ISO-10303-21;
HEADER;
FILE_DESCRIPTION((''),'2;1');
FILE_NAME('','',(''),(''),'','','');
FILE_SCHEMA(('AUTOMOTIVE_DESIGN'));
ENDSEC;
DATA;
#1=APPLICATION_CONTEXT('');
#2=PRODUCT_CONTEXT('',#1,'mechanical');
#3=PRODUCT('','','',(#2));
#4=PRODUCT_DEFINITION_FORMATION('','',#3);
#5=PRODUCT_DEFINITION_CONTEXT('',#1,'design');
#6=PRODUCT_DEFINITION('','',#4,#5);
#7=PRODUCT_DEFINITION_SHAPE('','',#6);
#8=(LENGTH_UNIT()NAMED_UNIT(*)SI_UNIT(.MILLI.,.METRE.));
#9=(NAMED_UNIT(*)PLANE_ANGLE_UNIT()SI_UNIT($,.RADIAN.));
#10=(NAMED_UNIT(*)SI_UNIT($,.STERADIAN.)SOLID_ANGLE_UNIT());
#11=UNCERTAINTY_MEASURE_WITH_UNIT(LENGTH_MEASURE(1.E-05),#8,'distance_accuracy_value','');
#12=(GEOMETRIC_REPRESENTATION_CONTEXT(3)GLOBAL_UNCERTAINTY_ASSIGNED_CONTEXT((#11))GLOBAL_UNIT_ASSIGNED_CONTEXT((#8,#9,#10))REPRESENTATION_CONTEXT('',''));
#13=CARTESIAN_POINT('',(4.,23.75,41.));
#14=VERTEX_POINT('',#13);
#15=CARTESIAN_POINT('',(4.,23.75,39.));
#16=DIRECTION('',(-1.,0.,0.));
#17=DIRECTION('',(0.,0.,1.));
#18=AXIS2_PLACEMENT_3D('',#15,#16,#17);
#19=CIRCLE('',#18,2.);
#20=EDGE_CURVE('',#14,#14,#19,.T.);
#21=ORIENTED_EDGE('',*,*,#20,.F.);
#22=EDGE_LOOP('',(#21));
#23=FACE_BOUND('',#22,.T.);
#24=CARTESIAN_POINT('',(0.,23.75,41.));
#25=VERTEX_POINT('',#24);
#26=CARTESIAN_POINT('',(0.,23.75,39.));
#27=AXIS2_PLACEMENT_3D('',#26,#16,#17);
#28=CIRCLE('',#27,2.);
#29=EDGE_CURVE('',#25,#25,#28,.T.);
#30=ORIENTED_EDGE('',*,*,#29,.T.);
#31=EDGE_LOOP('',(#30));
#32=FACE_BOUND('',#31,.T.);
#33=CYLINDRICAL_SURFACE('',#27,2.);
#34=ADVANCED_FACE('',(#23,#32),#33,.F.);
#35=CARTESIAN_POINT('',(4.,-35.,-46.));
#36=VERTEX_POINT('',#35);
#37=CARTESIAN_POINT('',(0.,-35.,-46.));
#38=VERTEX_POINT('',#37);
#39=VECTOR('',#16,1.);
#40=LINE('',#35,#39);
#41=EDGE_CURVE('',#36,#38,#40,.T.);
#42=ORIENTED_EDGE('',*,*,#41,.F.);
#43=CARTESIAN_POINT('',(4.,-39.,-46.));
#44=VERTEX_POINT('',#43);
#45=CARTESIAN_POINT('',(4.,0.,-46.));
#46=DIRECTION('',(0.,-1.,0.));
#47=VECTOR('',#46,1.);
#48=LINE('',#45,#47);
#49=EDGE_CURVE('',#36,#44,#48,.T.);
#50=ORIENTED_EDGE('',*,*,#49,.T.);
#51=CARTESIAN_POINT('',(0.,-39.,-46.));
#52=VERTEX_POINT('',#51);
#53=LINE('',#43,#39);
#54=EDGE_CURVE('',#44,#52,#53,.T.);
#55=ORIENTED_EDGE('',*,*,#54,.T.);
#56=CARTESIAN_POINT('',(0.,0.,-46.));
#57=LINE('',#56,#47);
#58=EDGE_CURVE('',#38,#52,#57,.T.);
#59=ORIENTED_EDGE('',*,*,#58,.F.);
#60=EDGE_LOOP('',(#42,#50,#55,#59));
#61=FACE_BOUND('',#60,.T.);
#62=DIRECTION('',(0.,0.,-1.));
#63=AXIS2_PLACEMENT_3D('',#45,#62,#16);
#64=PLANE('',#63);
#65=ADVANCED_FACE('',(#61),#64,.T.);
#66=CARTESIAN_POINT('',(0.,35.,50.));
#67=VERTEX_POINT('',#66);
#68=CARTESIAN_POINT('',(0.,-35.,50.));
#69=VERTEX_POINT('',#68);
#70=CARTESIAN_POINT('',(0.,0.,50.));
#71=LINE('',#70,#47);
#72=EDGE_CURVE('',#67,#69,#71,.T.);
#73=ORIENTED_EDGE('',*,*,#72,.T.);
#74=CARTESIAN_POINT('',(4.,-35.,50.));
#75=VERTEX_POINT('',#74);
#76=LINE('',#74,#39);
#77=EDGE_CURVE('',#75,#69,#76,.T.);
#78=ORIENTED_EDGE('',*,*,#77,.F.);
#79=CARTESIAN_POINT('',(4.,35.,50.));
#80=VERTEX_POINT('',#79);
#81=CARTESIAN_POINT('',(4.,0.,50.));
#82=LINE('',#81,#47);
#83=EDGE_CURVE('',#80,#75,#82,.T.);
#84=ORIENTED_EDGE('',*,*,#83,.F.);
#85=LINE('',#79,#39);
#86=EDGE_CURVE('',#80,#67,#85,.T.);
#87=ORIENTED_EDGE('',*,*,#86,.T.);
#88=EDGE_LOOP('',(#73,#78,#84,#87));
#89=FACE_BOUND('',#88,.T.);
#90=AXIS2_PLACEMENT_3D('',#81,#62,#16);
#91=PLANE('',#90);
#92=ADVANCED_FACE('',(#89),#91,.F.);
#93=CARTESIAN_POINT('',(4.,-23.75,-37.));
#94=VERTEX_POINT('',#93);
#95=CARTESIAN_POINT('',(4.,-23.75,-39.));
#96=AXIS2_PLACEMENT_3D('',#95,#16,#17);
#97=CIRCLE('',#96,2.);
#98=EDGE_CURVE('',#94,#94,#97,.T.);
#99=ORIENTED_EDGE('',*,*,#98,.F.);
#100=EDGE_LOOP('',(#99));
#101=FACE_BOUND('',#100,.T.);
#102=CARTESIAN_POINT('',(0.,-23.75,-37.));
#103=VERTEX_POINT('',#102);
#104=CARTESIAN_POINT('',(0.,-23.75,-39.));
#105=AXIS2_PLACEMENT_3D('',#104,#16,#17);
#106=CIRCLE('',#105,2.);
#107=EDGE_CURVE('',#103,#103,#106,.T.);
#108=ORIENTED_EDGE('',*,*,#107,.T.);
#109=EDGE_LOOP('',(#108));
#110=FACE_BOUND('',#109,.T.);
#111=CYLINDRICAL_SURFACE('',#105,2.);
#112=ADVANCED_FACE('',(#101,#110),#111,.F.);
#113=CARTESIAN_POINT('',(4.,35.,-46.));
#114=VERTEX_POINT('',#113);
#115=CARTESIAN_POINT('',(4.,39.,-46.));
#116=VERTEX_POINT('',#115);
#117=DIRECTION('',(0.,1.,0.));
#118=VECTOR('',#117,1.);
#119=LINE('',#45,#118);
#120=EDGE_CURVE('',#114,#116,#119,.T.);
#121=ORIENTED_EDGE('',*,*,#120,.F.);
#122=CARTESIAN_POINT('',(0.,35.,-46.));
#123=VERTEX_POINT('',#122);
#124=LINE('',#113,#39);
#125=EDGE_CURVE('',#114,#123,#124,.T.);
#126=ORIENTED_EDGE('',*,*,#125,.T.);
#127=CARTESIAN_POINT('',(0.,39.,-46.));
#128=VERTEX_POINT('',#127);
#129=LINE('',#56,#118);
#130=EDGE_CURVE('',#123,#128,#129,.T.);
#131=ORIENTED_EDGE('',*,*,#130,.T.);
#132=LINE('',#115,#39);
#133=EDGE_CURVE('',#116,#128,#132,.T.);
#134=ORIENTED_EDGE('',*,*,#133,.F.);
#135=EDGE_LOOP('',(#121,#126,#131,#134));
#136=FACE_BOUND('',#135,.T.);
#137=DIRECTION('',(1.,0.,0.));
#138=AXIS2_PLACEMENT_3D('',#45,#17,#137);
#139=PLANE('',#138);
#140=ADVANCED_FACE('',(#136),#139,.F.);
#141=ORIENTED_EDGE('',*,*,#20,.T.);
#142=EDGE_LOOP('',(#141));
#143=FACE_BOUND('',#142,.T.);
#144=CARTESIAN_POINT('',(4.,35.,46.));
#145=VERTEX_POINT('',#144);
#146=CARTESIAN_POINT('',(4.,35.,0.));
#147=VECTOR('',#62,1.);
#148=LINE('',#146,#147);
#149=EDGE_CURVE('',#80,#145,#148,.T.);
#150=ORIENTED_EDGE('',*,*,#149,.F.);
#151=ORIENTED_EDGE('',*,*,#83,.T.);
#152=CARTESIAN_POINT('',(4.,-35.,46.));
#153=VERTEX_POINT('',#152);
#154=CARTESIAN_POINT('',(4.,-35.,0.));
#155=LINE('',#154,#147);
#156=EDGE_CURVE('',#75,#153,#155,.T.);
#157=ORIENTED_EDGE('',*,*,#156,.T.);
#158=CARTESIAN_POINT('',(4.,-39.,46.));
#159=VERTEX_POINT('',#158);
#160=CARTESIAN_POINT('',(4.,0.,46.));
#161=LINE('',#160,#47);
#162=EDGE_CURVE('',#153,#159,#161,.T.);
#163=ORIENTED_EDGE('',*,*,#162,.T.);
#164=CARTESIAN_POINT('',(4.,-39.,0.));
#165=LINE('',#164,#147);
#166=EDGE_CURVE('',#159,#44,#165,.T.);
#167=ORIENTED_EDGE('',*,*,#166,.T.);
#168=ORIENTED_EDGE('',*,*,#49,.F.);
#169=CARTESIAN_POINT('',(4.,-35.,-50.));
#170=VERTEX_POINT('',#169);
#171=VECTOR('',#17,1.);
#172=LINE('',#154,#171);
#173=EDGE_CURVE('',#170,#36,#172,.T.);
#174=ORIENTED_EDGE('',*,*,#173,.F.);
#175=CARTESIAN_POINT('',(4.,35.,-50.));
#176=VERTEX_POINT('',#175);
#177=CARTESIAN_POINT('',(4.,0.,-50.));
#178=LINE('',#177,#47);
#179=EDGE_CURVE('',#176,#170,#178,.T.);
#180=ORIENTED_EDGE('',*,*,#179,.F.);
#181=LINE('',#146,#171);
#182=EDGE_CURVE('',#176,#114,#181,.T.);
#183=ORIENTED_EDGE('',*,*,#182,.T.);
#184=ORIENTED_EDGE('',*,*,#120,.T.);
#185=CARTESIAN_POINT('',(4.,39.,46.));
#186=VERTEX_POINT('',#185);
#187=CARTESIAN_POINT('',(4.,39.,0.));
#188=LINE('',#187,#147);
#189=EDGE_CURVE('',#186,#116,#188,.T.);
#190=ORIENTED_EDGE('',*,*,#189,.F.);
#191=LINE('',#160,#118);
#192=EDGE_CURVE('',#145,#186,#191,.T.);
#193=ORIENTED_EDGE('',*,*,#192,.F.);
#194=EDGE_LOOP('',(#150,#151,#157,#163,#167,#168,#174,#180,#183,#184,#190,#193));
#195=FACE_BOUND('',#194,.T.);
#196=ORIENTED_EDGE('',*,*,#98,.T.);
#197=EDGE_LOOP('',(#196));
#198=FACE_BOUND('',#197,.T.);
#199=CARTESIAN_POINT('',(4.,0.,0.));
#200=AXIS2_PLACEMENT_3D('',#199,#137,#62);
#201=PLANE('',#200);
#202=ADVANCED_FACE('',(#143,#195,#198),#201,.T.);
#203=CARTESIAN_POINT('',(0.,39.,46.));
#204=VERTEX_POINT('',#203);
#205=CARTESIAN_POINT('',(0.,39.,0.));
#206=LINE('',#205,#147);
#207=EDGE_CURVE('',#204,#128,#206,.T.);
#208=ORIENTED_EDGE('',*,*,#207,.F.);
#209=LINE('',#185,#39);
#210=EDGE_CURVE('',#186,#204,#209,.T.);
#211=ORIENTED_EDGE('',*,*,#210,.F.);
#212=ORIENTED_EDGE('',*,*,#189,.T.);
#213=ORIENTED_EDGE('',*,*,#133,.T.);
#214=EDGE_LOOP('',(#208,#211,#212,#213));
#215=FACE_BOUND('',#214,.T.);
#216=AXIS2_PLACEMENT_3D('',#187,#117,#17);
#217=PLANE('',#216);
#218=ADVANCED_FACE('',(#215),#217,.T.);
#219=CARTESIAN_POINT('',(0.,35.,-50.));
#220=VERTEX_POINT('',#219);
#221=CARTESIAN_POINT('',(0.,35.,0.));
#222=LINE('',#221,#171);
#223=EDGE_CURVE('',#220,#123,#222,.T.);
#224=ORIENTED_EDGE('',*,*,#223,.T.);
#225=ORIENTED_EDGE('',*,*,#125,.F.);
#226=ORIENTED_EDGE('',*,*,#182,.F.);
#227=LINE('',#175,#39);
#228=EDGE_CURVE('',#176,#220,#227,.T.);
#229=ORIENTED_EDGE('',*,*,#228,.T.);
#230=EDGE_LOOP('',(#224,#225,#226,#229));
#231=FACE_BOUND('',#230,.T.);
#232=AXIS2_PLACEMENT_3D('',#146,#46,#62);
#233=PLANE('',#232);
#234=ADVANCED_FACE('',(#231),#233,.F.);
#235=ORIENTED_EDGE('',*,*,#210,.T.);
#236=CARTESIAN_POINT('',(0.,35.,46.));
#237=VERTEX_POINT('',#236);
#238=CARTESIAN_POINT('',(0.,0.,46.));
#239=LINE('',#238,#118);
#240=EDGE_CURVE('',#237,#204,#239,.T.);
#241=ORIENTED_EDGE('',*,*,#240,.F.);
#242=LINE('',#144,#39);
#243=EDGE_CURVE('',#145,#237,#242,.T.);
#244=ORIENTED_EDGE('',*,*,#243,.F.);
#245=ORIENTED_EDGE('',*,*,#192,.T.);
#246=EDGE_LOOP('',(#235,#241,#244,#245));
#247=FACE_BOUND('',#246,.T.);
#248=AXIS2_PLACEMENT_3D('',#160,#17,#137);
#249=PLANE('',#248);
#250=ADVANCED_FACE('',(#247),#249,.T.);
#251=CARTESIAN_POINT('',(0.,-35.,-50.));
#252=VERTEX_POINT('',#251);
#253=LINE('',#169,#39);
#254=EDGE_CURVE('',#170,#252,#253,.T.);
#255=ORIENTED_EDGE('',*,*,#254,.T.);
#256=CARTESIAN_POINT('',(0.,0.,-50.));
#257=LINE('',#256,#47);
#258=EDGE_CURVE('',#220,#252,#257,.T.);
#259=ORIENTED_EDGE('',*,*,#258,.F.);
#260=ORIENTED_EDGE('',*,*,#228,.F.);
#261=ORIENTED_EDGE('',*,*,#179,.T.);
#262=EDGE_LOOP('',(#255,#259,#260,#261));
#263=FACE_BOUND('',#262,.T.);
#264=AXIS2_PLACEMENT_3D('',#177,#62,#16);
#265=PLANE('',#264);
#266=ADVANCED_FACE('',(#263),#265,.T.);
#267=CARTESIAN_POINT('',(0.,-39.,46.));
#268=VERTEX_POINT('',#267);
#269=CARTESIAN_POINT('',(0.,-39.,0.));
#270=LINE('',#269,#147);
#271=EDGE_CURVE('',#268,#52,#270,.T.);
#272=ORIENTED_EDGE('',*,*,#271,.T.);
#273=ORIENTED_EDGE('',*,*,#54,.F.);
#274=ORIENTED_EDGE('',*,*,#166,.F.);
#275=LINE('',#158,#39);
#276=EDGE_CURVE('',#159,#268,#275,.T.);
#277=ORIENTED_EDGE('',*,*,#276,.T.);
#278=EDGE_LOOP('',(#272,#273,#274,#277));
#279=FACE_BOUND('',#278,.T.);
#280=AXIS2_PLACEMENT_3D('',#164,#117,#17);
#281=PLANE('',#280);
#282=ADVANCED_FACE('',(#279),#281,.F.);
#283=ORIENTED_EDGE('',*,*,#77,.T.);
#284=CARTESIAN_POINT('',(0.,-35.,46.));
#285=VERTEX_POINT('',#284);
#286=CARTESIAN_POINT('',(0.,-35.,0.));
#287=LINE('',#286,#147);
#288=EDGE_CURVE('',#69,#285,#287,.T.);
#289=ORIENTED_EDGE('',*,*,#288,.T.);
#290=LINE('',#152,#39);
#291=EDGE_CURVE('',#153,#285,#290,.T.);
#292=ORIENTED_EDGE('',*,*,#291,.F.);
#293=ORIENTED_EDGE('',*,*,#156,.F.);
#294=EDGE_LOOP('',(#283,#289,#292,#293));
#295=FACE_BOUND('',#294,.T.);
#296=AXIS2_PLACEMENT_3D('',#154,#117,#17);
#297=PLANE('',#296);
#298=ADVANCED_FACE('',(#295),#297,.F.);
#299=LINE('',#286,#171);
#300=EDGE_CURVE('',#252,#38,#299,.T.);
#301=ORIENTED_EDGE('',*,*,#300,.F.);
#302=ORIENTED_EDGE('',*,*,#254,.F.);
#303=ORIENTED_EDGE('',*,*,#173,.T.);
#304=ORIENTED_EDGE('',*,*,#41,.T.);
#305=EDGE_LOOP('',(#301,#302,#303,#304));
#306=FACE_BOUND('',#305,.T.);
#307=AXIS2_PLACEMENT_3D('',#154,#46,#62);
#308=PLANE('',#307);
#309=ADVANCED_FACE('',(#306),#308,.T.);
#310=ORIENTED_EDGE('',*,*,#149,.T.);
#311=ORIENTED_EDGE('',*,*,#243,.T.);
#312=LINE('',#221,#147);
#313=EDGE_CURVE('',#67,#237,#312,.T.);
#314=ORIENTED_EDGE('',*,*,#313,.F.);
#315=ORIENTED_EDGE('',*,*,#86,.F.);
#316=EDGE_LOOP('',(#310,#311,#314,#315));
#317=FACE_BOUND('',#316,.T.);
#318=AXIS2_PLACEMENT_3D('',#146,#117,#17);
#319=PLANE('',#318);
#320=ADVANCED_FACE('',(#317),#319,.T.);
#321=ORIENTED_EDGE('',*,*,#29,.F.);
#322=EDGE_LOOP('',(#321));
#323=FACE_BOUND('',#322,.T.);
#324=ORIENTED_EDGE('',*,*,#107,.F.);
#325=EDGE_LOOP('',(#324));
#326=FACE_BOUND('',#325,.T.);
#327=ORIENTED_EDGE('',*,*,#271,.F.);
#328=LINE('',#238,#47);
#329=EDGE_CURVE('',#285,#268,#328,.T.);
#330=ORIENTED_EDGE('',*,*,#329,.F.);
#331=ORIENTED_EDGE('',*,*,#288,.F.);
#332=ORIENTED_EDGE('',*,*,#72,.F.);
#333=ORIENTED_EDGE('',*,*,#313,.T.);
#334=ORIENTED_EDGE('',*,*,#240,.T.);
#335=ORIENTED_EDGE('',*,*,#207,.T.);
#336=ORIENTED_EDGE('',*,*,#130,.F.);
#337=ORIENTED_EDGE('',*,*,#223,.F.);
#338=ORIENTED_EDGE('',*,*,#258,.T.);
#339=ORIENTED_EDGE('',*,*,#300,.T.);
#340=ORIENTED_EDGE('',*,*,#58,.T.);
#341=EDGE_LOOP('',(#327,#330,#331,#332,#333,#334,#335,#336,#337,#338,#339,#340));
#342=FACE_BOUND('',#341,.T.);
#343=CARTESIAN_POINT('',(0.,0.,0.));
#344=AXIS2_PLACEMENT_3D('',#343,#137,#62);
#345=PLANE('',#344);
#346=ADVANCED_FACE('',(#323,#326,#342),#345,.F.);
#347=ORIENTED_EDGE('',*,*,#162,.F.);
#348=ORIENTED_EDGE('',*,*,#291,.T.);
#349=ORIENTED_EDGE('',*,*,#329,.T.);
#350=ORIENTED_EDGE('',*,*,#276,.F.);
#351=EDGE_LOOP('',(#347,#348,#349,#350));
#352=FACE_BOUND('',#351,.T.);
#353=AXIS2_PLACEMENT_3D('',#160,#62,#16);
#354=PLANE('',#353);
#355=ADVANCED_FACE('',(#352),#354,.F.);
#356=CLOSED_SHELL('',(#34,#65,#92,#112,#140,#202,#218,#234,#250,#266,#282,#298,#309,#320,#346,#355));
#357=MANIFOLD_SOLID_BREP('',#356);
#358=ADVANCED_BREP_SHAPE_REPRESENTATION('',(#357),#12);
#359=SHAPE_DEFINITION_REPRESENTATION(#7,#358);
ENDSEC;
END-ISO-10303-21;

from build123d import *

# Parameters (mm, degrees)
BOSS_EXTRUDE1_DEPTH   = 4
F_4_0MM_DOWEL_HOLE1_D = 4


with BuildPart() as part:
    # Sketch1 → Boss-Extrude1 (new body)
    with BuildSketch(Plane(origin=(0, 0, 0), x_dir=(0, 0, -1), z_dir=(1, 0, 0))):
        Polygon((-46, 35), (-50, 35), (-50, 0), (0, 0), (0, 39), (-46, 39), align=None)
        Polygon((0, 39), (0, 0), (50, 0), (50, 35), (46, 35), (46, 39), align=None)
        Polygon((50, 0), (0, 0), (0, -39), (46, -39), (46, -35), (50, -35), align=None)
        Polygon((0, 0), (-50, 0), (-50, -35), (-46, -35), (-46, -39), (0, -39), align=None)
    extrude(amount=BOSS_EXTRUDE1_DEPTH)

    # Ø4.0mm Dowel Hole1 (through all)
    with Locations(Plane(origin=(0, -23.75, -39), x_dir=(0, 0, -1), z_dir=(-1, 0, 0))):
        with Locations((0, 0), (-78, -47.5)):
            Hole(F_4_0MM_DOWEL_HOLE1_D / 2)


solid = part.part
